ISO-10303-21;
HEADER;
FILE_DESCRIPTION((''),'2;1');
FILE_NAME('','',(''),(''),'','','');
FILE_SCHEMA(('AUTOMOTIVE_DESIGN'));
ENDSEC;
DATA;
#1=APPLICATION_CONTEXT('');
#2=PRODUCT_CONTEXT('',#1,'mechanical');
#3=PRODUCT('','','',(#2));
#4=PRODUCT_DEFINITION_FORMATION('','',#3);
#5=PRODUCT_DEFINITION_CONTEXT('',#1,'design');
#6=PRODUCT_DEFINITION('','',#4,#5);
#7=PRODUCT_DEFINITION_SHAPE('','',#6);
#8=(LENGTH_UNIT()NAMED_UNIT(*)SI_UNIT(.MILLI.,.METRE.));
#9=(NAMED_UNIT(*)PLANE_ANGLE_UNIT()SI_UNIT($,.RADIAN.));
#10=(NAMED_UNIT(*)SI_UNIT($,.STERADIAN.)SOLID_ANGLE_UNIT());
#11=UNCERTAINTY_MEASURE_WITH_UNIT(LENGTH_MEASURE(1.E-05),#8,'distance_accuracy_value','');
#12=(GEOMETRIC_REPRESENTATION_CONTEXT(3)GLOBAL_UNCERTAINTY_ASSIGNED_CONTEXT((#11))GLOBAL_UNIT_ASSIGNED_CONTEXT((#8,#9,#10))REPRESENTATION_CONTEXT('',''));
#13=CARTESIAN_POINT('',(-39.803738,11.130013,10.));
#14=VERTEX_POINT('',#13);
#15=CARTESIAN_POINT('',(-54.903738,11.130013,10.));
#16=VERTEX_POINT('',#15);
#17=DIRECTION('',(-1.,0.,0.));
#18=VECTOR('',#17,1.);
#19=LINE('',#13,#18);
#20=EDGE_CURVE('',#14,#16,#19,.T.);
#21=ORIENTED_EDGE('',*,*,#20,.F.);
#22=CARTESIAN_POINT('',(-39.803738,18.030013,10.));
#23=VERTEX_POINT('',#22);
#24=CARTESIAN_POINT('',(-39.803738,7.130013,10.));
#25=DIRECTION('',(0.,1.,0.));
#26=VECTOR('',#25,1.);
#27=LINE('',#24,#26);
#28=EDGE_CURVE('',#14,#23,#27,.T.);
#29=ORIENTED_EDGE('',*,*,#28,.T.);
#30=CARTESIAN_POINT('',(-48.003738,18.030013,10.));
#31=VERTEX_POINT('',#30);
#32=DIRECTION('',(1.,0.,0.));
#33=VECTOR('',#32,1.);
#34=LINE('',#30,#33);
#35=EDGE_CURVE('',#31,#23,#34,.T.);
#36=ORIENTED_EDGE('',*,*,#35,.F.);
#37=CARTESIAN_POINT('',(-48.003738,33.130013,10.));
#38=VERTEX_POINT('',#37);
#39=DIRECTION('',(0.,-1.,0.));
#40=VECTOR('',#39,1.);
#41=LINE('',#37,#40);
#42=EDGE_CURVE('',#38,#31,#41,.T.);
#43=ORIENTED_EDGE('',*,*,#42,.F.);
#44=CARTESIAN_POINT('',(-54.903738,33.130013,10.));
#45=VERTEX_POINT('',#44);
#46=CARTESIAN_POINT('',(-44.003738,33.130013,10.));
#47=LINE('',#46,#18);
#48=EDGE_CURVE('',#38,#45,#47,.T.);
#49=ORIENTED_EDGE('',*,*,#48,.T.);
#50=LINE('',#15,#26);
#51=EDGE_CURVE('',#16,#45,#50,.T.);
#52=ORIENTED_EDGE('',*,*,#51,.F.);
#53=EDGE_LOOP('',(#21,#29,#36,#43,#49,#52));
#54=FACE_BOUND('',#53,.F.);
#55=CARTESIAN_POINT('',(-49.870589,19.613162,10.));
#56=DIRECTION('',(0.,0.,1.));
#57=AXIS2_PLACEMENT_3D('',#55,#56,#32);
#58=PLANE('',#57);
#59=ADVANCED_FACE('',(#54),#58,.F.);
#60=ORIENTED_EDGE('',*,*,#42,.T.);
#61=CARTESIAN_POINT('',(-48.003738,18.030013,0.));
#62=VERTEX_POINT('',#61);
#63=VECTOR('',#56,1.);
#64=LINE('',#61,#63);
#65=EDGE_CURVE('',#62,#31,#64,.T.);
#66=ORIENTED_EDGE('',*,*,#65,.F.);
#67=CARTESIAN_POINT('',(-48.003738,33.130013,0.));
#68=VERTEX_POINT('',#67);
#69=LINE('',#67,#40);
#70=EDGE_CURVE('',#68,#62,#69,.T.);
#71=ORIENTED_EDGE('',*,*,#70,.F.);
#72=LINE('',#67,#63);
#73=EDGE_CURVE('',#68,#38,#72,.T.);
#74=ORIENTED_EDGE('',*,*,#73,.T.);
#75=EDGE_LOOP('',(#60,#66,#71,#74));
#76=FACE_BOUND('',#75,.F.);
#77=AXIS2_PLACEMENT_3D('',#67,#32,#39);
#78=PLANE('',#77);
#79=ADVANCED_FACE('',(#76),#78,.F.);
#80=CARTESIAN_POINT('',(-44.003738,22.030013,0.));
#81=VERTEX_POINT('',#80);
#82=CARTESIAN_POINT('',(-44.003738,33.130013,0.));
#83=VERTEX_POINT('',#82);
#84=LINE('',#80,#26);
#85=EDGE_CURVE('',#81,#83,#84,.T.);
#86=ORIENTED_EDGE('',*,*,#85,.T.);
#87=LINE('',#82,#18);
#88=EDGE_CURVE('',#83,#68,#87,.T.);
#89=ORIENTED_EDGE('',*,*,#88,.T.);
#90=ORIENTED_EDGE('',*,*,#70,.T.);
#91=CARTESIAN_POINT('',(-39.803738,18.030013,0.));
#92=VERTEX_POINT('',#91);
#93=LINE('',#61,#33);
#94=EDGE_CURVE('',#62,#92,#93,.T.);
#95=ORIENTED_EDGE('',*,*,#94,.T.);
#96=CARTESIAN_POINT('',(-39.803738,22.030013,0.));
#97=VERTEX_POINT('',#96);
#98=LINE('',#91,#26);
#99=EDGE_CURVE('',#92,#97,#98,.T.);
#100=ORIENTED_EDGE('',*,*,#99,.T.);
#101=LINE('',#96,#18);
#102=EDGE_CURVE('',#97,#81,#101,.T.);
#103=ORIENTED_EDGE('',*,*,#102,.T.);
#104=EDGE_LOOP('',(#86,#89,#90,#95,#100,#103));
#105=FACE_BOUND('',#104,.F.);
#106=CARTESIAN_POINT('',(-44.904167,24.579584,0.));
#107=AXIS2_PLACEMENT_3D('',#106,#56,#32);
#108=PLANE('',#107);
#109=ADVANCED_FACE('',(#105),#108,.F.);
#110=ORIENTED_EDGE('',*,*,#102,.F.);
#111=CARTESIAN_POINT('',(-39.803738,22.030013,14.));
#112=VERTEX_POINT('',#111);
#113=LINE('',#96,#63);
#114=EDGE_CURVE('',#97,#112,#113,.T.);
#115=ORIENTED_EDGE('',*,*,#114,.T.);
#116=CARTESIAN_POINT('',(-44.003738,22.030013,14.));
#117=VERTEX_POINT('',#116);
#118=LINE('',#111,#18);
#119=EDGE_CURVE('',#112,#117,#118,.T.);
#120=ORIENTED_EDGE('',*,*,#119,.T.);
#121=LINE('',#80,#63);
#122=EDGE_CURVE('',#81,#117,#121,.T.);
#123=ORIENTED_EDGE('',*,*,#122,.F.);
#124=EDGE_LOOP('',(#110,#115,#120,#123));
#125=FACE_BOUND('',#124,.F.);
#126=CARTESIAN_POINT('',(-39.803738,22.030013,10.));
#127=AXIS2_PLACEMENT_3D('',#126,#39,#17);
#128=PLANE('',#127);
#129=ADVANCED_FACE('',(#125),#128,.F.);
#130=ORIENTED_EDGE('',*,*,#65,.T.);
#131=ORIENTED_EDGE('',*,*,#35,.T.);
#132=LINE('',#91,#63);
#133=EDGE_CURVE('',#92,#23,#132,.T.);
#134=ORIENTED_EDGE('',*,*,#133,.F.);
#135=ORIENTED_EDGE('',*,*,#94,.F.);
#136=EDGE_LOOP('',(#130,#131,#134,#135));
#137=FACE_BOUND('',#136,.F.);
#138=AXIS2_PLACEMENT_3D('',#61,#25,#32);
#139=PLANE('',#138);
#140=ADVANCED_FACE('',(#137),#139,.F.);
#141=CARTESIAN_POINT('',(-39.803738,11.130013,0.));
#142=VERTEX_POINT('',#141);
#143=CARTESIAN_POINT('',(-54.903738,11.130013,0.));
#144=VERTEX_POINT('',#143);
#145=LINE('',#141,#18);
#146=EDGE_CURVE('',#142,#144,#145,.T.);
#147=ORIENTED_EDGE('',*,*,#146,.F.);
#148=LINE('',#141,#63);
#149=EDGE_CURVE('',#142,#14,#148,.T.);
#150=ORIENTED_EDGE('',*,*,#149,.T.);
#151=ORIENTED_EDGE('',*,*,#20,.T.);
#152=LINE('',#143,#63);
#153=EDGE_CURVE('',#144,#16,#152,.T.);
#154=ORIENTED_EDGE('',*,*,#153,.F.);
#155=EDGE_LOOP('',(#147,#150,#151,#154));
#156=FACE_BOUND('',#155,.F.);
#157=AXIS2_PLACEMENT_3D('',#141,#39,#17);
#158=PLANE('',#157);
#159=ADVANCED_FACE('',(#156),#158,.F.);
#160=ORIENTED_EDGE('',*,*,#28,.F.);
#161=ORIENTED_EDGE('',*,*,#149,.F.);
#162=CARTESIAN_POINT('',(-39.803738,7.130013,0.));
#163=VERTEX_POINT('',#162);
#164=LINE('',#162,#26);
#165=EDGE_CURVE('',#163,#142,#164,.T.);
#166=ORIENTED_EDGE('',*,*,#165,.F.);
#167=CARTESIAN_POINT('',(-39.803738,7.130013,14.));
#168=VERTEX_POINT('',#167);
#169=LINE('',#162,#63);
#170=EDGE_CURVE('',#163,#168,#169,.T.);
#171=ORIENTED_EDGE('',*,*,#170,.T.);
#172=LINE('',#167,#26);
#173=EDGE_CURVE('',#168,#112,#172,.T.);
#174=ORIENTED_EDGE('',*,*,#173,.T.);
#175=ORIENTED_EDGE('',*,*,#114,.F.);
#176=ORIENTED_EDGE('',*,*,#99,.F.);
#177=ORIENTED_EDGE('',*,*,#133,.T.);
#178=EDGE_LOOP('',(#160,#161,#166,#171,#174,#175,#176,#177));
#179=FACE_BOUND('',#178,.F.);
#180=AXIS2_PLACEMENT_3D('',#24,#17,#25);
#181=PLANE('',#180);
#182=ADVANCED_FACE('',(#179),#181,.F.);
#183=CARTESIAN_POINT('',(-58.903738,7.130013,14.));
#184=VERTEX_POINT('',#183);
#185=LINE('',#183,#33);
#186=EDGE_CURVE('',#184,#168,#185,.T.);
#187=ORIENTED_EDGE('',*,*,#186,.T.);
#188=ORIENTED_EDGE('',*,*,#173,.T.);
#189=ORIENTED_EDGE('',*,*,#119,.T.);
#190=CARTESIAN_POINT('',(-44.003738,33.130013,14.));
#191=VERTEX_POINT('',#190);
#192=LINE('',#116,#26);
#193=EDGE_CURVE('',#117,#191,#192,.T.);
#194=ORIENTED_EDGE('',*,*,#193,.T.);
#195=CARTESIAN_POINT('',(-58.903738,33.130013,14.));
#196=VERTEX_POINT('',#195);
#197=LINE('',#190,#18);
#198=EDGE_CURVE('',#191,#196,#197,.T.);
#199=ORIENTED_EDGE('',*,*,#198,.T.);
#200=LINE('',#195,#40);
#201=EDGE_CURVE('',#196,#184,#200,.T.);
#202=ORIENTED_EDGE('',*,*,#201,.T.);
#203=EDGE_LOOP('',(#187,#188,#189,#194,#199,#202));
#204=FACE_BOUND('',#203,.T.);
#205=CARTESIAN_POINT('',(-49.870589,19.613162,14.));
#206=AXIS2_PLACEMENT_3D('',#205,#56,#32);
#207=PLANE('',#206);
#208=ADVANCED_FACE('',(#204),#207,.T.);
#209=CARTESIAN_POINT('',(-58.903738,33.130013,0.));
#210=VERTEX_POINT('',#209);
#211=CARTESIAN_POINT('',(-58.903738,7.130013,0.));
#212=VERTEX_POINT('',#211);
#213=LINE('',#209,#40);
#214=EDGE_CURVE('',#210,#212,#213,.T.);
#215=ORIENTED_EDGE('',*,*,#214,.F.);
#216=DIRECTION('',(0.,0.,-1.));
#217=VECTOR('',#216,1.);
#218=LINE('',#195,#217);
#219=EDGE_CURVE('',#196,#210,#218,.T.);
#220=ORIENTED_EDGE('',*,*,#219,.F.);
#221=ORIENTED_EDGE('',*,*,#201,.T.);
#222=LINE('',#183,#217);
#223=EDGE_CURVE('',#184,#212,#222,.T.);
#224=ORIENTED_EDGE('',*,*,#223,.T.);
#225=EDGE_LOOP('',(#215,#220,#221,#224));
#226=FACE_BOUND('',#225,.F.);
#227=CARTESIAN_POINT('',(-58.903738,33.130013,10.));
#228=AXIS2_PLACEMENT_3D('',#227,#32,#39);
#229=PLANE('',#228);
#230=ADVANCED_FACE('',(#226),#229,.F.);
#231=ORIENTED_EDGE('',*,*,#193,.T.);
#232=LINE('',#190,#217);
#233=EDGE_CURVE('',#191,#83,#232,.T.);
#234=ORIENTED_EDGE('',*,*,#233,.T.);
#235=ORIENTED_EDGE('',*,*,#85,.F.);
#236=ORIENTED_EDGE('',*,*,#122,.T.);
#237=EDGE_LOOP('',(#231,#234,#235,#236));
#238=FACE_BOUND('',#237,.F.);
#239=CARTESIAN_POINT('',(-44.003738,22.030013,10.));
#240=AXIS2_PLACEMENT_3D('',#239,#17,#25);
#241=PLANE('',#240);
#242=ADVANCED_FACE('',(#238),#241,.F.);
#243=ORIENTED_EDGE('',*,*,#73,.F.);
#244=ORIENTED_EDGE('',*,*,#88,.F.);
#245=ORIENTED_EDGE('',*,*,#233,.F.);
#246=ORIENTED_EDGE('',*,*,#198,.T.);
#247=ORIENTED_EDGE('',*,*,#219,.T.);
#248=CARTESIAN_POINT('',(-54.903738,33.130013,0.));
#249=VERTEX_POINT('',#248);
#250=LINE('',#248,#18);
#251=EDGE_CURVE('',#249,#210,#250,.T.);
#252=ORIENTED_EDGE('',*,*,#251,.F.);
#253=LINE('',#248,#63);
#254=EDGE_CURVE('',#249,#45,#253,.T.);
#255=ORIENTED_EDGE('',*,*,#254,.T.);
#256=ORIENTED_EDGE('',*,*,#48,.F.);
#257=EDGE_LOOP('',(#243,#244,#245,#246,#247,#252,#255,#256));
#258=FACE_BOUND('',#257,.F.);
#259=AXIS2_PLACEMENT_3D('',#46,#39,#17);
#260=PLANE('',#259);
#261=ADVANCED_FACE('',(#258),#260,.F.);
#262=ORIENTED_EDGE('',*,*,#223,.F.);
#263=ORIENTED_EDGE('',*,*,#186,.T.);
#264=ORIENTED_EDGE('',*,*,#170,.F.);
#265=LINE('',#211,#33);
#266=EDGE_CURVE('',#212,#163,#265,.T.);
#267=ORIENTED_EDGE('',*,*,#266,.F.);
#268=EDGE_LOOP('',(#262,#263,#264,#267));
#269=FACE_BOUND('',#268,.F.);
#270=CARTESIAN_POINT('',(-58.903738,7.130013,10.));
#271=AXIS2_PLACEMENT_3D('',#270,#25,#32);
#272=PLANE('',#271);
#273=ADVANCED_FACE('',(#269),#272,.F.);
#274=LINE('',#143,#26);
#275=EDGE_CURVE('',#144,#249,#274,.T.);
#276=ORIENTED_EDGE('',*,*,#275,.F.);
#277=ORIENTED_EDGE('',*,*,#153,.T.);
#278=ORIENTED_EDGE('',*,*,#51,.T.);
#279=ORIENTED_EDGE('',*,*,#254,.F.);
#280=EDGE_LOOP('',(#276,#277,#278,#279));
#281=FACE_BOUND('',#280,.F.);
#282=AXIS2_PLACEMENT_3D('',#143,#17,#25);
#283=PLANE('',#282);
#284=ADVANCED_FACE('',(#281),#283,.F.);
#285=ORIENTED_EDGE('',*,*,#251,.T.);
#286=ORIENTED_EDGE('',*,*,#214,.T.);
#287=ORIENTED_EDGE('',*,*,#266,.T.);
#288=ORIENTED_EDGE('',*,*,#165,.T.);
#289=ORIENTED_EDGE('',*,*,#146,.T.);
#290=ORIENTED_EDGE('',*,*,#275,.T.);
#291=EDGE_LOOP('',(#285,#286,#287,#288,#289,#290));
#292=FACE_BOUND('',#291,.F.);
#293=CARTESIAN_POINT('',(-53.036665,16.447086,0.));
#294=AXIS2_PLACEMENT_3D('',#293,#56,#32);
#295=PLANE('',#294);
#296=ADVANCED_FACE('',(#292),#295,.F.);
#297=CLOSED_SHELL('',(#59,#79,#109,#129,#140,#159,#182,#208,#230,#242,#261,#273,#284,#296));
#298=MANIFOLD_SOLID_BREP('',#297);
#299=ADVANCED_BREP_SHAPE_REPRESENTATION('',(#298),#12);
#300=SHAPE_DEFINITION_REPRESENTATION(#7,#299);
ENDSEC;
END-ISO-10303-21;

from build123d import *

# Parameters (mm, degrees)
F1_DEPTH = 10
F3_DEPTH = 4


with BuildPart() as f1:
    # F0 (on Top) → F1 (new body)
    with BuildSketch(Plane.XY):
        Polygon((-54.903738, 11.130013), (-54.903738, 33.130013), (-58.903738, 33.130013), (-58.903738, 7.130013), (-39.803738, 7.130013), (-39.803738, 11.130013), align=None)
        Polygon((-44.003738, 33.130013), (-48.003738, 33.130013), (-48.003738, 18.030013), (-39.803738, 18.030013), (-39.803738, 22.030013), (-44.003738, 22.030013), align=None)
    extrude(amount=F1_DEPTH)

    # F2 (on face) → F3 (join)
    with BuildSketch(Plane.XY.offset(10)):
        Polygon((-58.903738, 7.130013), (-39.803738, 7.130013), (-39.803738, 22.030013), (-44.003738, 22.030013), (-44.003738, 33.130013), (-58.903738, 33.130013), align=None)
    extrude(amount=F3_DEPTH)


solid = f1.part
